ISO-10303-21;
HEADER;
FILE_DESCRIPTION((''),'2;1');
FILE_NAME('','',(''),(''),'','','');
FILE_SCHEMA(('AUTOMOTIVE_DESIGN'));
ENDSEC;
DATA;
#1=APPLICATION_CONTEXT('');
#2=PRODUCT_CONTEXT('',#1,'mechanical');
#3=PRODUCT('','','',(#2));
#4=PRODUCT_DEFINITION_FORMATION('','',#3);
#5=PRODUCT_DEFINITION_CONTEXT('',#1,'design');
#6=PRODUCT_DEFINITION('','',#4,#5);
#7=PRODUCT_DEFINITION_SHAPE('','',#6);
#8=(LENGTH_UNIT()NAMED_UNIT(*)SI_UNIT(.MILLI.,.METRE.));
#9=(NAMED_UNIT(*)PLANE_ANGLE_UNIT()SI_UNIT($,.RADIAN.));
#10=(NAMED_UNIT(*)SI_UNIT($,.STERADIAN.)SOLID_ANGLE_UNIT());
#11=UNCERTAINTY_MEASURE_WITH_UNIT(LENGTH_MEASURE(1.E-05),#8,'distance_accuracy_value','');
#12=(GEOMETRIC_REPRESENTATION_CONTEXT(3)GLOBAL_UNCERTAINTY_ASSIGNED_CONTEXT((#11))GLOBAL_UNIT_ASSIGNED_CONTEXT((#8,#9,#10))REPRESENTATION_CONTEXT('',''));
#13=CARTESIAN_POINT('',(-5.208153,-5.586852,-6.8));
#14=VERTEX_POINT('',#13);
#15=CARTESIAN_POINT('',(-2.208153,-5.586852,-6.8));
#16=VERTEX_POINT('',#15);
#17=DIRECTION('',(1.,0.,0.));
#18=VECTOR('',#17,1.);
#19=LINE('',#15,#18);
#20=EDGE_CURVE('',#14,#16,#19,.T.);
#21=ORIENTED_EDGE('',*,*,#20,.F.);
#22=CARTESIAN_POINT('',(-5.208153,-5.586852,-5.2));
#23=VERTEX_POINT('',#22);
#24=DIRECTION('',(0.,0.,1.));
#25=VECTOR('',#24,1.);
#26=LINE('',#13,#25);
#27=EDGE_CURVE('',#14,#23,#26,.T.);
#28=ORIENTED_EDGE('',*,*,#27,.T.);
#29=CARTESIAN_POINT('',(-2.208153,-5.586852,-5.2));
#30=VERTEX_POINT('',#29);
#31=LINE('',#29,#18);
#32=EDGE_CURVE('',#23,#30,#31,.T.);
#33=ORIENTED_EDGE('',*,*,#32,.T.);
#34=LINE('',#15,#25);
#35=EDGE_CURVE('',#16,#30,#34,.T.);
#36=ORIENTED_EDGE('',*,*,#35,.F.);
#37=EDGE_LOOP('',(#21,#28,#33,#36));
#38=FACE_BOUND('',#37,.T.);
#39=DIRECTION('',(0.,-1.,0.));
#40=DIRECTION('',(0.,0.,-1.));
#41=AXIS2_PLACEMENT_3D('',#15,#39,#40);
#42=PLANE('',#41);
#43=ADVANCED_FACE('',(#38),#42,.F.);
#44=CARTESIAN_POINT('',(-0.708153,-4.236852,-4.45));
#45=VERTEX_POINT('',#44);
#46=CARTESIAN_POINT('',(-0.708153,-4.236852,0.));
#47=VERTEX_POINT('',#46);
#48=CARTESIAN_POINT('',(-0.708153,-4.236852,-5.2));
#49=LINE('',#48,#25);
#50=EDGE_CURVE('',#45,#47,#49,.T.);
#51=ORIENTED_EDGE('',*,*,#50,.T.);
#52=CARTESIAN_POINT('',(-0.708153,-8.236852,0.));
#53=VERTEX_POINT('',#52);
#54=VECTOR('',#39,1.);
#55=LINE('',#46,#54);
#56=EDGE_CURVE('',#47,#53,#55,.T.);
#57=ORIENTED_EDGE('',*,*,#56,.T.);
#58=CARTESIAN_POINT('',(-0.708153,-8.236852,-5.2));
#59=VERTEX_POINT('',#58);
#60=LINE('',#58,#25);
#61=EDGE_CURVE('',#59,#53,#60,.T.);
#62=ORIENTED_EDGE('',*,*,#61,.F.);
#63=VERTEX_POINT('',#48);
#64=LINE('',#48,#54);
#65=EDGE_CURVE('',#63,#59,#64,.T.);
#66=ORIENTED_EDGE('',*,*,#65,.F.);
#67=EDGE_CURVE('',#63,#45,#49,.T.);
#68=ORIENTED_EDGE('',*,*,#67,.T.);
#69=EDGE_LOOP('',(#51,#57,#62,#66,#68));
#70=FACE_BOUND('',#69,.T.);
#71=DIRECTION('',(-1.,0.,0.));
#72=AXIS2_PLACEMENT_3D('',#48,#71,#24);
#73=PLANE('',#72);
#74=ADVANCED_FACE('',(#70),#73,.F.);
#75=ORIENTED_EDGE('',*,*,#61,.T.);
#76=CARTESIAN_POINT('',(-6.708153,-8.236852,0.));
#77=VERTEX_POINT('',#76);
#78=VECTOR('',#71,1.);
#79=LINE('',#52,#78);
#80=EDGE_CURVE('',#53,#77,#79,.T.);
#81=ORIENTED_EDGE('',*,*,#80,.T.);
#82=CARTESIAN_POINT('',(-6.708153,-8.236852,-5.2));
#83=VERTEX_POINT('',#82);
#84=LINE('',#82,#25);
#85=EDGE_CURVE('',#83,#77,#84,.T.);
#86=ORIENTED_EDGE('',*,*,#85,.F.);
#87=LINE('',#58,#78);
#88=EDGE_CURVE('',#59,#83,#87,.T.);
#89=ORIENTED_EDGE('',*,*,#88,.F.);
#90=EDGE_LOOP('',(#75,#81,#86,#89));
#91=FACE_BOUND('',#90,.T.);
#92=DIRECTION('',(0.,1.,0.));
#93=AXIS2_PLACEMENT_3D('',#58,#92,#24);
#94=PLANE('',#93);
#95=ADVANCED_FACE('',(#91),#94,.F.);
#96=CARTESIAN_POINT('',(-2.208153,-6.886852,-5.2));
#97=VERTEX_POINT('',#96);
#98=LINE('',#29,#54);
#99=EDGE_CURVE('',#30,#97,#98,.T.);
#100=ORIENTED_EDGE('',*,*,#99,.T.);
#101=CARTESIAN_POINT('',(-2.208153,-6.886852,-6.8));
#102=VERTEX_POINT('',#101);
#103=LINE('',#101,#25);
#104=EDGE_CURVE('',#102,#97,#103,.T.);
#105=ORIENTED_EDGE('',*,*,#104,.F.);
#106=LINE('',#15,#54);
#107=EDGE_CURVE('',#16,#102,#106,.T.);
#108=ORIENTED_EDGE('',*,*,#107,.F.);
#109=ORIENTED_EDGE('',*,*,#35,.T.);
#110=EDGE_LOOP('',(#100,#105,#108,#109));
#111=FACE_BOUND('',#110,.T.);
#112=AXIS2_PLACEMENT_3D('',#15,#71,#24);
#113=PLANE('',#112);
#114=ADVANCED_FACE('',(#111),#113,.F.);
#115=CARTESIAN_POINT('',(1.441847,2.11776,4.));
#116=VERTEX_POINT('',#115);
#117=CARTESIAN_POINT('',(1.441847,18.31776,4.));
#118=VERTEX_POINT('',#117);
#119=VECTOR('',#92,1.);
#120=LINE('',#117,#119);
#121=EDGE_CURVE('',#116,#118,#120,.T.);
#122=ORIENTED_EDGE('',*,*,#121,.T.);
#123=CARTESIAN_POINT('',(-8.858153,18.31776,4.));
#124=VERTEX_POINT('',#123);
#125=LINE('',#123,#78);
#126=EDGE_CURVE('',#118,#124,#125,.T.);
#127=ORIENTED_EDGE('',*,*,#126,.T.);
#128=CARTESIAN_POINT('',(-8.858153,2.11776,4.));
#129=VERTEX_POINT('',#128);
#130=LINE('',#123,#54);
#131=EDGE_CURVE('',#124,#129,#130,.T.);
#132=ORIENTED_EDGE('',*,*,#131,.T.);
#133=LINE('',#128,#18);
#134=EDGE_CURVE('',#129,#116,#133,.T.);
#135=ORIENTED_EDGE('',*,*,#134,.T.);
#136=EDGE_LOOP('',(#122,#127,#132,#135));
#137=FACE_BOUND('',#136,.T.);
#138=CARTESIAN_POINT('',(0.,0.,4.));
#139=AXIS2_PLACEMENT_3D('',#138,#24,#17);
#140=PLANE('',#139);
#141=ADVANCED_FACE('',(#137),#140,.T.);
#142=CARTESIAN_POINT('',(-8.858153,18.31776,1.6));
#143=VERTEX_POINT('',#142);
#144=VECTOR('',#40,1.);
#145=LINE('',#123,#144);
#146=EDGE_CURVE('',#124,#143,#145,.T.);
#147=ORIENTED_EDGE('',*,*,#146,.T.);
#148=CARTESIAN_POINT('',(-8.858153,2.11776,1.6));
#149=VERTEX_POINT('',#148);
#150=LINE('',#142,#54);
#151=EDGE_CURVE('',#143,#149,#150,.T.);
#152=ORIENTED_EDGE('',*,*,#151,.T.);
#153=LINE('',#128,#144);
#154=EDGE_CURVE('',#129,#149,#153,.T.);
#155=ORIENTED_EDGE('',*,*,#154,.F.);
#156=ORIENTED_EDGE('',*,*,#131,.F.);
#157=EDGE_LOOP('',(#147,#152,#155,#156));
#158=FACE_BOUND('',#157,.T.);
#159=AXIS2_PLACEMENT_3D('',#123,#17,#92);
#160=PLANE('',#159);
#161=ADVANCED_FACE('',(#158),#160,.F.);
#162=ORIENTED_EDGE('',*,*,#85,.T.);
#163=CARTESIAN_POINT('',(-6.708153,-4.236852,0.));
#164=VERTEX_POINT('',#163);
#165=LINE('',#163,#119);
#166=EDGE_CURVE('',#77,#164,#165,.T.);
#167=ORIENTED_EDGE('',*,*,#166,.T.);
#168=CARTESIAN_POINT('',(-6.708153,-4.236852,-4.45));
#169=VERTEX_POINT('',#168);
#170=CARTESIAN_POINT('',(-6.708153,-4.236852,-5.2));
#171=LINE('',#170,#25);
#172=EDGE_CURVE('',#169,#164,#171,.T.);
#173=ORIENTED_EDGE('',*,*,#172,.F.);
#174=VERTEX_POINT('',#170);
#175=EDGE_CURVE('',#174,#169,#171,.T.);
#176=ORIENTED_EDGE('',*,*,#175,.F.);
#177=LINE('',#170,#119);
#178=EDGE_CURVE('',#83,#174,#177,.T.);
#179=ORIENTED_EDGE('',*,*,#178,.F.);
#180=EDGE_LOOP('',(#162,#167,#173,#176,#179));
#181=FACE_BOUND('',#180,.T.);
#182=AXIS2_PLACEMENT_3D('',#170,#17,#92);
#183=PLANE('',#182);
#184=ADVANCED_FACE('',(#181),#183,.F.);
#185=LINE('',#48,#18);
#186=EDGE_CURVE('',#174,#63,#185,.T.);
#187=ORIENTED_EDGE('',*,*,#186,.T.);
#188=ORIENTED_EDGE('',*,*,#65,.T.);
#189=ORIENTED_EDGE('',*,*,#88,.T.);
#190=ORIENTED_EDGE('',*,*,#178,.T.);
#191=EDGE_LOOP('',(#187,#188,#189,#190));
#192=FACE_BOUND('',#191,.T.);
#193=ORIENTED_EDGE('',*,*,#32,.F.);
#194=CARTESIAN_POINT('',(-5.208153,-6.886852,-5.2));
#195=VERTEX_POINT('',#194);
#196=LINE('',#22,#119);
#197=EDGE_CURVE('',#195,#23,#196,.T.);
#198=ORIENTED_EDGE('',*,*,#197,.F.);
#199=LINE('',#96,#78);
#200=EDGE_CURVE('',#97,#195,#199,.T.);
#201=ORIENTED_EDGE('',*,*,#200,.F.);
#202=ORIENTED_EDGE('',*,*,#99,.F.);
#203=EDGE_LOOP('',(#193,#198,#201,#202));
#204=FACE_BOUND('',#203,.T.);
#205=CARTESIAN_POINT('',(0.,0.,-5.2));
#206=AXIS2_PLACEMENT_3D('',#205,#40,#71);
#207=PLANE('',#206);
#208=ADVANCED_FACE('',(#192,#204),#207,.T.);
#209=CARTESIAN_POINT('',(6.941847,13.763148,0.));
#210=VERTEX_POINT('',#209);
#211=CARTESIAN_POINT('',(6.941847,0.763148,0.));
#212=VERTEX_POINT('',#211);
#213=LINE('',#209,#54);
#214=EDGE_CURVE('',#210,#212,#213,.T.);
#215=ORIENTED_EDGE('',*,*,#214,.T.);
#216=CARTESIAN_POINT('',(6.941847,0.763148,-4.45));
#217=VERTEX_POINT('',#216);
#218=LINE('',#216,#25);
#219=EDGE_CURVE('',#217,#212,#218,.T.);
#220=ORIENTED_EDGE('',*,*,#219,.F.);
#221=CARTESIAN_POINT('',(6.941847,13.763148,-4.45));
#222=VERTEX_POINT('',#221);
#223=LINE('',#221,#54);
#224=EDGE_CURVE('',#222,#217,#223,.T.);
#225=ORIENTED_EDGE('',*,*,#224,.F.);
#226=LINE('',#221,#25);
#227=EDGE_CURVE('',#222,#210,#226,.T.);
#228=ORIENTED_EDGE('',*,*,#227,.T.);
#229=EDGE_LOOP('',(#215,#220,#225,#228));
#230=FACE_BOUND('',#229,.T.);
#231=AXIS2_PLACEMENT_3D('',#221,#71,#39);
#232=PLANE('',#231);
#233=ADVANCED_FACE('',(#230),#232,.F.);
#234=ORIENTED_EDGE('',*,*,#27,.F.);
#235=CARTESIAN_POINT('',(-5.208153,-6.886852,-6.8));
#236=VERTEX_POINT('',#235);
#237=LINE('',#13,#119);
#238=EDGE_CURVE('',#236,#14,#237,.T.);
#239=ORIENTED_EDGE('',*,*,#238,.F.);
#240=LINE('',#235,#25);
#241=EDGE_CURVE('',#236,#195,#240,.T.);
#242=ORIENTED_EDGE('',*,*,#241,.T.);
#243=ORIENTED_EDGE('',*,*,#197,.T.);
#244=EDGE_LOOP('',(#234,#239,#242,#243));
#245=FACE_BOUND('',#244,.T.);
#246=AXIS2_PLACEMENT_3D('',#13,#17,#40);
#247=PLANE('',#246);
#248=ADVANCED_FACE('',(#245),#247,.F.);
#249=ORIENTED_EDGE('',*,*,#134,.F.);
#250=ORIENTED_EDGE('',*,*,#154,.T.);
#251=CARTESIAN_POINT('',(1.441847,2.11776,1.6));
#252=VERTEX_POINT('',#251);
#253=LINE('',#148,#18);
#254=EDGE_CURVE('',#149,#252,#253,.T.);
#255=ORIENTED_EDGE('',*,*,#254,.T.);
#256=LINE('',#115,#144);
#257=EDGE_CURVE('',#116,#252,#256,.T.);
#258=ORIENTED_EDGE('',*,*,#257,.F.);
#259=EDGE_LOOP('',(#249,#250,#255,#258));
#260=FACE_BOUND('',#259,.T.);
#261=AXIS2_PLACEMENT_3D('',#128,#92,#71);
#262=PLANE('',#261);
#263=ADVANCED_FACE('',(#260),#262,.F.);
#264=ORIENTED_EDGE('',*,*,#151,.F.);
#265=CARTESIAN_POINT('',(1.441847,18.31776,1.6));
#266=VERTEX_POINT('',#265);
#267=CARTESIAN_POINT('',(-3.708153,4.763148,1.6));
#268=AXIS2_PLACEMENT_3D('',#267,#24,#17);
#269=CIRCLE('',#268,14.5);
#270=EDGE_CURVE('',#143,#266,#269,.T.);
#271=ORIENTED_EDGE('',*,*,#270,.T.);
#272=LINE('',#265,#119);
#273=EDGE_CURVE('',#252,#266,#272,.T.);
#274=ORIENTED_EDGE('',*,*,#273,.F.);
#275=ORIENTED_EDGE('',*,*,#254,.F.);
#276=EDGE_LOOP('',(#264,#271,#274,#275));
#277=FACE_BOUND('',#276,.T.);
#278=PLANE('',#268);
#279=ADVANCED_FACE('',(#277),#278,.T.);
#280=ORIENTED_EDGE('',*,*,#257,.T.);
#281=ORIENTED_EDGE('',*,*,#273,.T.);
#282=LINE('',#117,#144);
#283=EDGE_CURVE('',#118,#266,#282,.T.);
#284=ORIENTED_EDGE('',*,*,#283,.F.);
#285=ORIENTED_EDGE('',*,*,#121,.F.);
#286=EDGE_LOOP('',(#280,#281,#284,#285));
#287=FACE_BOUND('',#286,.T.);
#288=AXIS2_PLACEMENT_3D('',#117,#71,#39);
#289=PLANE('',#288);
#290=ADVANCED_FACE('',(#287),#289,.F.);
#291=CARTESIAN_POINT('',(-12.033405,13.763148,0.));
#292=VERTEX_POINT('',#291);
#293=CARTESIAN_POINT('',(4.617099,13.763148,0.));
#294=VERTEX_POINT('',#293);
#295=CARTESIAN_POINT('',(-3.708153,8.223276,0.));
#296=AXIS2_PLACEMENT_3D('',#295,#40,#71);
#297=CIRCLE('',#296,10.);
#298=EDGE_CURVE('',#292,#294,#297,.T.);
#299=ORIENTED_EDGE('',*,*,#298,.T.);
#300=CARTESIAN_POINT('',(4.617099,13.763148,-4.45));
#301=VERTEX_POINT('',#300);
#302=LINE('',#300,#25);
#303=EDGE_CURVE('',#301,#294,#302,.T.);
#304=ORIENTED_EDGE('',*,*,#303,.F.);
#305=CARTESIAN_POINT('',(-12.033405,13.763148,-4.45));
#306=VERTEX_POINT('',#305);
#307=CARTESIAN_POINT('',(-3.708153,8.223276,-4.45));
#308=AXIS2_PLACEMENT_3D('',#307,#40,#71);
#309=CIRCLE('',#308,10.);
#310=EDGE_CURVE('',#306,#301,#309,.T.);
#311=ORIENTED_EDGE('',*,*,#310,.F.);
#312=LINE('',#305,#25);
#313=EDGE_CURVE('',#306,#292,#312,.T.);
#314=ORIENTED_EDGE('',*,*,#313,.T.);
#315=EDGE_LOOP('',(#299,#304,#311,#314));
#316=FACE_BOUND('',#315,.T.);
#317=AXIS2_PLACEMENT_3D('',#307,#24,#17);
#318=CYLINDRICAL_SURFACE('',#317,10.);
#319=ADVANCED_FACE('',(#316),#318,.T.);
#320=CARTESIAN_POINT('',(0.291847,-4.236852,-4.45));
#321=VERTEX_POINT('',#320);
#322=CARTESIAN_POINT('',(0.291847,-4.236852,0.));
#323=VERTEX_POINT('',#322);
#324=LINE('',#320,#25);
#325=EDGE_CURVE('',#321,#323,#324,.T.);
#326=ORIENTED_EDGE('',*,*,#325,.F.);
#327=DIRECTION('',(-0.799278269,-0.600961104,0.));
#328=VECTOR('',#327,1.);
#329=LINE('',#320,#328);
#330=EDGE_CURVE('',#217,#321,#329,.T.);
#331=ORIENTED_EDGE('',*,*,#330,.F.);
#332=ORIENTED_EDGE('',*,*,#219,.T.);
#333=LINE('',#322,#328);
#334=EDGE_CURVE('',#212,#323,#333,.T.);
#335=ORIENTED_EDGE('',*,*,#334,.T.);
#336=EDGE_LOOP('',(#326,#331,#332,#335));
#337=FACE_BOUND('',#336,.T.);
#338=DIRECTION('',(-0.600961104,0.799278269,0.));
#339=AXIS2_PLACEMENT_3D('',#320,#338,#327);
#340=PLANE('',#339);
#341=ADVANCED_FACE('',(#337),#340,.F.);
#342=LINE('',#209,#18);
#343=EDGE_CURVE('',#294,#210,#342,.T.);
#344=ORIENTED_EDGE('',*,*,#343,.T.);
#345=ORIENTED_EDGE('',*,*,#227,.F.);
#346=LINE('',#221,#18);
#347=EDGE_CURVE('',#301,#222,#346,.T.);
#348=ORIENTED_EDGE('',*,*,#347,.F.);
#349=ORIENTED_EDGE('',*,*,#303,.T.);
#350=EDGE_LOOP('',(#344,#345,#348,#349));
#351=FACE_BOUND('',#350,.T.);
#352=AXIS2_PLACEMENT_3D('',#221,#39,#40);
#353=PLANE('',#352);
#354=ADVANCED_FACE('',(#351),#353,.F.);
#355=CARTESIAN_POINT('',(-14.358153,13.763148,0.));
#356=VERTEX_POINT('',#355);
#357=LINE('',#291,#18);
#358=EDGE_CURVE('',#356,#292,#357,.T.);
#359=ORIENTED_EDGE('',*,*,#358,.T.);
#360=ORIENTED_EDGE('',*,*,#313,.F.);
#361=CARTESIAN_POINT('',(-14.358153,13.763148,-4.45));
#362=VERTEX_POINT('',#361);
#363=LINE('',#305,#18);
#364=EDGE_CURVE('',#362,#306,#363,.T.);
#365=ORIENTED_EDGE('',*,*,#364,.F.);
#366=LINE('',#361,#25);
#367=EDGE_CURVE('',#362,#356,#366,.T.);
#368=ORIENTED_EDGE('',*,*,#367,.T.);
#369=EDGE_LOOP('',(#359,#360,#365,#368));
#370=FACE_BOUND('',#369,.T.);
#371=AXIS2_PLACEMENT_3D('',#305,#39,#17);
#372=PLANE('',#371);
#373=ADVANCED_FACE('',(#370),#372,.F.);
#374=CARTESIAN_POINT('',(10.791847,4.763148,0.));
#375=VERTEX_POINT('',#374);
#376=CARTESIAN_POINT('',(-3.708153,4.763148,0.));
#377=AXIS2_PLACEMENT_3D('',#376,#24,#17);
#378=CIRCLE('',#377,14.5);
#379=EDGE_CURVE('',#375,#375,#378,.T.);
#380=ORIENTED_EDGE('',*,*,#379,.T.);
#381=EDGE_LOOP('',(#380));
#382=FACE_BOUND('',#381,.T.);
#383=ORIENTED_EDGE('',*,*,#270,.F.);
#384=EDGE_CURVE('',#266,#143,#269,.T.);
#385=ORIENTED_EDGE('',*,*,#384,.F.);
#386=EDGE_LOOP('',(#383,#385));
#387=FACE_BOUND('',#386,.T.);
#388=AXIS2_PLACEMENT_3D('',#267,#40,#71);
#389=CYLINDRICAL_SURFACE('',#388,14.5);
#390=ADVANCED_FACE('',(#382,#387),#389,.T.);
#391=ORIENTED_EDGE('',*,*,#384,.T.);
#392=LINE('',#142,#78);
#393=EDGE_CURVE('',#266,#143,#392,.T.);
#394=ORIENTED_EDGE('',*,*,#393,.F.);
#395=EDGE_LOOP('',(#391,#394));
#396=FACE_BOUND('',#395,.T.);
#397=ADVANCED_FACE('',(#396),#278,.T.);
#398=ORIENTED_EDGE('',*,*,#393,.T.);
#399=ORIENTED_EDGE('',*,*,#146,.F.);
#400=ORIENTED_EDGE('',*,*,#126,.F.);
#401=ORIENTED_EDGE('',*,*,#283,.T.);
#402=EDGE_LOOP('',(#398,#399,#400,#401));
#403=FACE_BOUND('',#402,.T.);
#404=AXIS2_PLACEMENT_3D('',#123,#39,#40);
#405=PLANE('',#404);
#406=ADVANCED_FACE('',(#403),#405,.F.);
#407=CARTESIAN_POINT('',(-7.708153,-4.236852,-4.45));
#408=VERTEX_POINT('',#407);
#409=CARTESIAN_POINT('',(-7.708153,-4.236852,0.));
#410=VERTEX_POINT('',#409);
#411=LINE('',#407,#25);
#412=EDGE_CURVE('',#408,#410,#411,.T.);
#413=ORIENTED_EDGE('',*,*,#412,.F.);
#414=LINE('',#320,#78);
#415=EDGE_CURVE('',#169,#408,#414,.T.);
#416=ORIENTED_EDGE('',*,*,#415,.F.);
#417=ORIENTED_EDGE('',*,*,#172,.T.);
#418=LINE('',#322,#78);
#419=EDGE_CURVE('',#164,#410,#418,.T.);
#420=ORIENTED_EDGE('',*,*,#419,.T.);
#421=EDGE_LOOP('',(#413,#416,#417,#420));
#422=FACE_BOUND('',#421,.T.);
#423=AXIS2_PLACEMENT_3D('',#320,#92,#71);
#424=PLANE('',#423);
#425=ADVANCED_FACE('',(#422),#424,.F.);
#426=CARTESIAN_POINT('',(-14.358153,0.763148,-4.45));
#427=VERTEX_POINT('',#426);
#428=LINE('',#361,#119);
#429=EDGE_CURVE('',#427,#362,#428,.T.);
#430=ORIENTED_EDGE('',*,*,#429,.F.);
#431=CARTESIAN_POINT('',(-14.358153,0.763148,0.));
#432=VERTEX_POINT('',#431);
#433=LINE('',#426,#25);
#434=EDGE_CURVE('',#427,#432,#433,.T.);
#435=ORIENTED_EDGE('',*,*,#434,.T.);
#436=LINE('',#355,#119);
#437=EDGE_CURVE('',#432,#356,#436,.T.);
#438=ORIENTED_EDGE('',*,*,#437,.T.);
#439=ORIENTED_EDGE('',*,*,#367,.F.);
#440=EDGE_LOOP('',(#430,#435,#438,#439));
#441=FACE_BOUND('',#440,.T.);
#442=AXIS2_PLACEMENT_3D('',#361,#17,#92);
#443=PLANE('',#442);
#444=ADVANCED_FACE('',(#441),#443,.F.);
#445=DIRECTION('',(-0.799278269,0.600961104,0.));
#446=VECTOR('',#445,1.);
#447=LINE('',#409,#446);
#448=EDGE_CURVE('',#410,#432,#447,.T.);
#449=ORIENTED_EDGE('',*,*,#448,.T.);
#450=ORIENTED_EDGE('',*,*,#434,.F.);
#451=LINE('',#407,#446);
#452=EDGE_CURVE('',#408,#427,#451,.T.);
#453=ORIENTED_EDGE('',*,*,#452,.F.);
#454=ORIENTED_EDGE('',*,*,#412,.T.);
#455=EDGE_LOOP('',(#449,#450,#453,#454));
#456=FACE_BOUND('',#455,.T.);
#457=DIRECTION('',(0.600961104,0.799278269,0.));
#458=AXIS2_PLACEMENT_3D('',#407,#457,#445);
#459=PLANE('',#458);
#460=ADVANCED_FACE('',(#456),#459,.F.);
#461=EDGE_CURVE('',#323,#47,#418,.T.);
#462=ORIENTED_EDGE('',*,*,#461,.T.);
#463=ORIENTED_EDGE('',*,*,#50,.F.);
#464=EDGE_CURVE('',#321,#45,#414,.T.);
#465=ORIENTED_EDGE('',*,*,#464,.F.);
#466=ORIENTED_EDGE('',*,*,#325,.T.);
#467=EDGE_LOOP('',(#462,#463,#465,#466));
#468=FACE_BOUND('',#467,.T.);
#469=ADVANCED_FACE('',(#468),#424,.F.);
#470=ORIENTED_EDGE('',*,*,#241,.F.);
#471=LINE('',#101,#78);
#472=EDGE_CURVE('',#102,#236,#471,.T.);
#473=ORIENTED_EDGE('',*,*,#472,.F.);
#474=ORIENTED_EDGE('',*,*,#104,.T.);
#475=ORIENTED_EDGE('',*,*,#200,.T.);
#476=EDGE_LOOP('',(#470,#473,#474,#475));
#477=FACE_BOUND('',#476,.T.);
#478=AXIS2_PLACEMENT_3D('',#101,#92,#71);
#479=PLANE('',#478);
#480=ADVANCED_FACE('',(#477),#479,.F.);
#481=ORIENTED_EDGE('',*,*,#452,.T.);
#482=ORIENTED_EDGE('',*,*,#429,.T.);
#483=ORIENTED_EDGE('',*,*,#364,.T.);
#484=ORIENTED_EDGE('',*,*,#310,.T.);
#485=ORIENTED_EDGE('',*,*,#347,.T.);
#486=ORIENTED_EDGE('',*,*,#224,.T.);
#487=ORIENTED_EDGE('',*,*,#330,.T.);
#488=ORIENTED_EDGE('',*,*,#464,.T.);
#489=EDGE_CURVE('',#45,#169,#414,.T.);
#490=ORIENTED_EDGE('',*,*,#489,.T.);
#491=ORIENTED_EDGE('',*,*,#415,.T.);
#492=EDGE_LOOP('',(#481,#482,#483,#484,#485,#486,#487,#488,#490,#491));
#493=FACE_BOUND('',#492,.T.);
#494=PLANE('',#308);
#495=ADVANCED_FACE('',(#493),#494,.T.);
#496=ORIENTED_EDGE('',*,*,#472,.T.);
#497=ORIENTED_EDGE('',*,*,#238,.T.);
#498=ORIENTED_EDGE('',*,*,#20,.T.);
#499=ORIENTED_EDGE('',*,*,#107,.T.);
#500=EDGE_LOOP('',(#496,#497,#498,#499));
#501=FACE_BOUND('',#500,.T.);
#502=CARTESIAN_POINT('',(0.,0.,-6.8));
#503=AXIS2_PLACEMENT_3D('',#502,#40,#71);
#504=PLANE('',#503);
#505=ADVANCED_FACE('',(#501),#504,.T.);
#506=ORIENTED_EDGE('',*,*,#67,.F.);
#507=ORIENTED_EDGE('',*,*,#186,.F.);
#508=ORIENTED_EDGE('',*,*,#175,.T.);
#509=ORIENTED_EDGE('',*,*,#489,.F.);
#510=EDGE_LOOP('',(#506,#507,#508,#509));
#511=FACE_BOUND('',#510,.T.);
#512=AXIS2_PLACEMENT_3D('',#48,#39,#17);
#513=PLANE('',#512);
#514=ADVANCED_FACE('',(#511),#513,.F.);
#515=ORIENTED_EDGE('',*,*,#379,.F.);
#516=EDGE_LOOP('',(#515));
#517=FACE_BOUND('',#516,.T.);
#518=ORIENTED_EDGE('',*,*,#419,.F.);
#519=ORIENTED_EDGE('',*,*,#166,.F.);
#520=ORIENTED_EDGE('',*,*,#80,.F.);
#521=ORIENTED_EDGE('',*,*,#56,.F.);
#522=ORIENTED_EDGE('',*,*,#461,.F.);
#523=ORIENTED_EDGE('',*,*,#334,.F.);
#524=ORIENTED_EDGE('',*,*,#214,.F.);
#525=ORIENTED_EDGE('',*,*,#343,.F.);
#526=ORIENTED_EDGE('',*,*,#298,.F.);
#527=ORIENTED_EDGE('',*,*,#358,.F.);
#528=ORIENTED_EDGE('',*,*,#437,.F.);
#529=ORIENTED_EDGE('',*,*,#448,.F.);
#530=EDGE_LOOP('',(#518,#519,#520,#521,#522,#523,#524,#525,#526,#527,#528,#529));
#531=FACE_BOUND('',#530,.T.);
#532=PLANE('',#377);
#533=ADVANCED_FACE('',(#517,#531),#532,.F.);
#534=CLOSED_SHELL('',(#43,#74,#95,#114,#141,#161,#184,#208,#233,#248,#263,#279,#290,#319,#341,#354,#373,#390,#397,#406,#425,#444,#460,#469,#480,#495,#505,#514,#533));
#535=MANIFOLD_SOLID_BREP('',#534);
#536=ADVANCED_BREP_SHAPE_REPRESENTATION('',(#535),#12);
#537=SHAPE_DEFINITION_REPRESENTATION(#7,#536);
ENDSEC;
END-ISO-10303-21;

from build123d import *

# Parameters (mm, degrees)
ESQUISSE1_R        = 14.5
BOSS_EXTRU_1_DEPTH = 1.6
ESQUISSE2_W        = 10.3
ESQUISSE2_H        = 16.2
BOSS_EXTRU_2_DEPTH = 2.4
BOSS_EXTRU_3_DEPTH = 4.45
ESQUISSE4_W        = 6
ESQUISSE4_H        = 4
BOSS_EXTRU_4_DEPTH = 5.2
ESQUISSE5_W        = 3
ESQUISSE5_H        = 1.3
BOSS_EXTRU_5_DEPTH = 1.6


with BuildPart() as part:
    # Esquisse1 → Boss.-Extru.1 (new body)
    with BuildSketch(Plane.XY):
        with Locations((-3.708152602, 4.763148131)):
            Circle(ESQUISSE1_R)
    extrude(amount=BOSS_EXTRU_1_DEPTH)

    # Esquisse2 → Boss.-Extru.2 (add)
    with BuildSketch(Plane.XY.offset(1.6)):
        with Locations((-3.708152602, 10.217759892)):
            Rectangle(ESQUISSE2_W, ESQUISSE2_H)
    extrude(amount=BOSS_EXTRU_2_DEPTH)

    # Esquisse3 → Boss.-Extru.3 (add)
    with BuildSketch(Plane(origin=(0, 0, 0), x_dir=(-1, 0, 0), z_dir=(0, 0, -1))):
        with BuildLine():
            Line((7.708152602, -4.236851869), (14.358152602, 0.763148131))
            Line((14.358152602, 0.763148131), (14.358152602, 13.763148131))
            Line((14.358152602, 13.763148131), (12.033404554, 13.763148131))
            ThreePointArc((12.033404554, 13.763148131), (3.708152602, 18.223276297), (-4.617099351, 13.763148131))
            Line((-4.617099351, 13.763148131), (-6.941847398, 13.763148131))
            Line((-6.941847398, 13.763148131), (-6.941847398, 0.763148131))
            Line((-6.941847398, 0.763148131), (-0.291847398, -4.236851869))
            Line((-0.291847398, -4.236851869), (7.708152602, -4.236851869))
        make_face()
    extrude(amount=BOSS_EXTRU_3_DEPTH)

    # Esquisse4 → Boss.-Extru.4 (add)
    with BuildSketch(Plane(origin=(0, 0, 0), x_dir=(-1, 0, 0), z_dir=(0, 0, -1))):
        with Locations((3.708152602, -6.236851869)):
            Rectangle(ESQUISSE4_W, ESQUISSE4_H)
    extrude(amount=BOSS_EXTRU_4_DEPTH)

    # Esquisse5 → Boss.-Extru.5 (add)
    with BuildSketch(Plane(origin=(0, 0, -5.2), x_dir=(-1, 0, 0), z_dir=(0, 0, -1))):
        with Locations((3.708152602, -6.236851869)):
            Rectangle(ESQUISSE5_W, ESQUISSE5_H)
    extrude(amount=BOSS_EXTRU_5_DEPTH)


solid = part.part
